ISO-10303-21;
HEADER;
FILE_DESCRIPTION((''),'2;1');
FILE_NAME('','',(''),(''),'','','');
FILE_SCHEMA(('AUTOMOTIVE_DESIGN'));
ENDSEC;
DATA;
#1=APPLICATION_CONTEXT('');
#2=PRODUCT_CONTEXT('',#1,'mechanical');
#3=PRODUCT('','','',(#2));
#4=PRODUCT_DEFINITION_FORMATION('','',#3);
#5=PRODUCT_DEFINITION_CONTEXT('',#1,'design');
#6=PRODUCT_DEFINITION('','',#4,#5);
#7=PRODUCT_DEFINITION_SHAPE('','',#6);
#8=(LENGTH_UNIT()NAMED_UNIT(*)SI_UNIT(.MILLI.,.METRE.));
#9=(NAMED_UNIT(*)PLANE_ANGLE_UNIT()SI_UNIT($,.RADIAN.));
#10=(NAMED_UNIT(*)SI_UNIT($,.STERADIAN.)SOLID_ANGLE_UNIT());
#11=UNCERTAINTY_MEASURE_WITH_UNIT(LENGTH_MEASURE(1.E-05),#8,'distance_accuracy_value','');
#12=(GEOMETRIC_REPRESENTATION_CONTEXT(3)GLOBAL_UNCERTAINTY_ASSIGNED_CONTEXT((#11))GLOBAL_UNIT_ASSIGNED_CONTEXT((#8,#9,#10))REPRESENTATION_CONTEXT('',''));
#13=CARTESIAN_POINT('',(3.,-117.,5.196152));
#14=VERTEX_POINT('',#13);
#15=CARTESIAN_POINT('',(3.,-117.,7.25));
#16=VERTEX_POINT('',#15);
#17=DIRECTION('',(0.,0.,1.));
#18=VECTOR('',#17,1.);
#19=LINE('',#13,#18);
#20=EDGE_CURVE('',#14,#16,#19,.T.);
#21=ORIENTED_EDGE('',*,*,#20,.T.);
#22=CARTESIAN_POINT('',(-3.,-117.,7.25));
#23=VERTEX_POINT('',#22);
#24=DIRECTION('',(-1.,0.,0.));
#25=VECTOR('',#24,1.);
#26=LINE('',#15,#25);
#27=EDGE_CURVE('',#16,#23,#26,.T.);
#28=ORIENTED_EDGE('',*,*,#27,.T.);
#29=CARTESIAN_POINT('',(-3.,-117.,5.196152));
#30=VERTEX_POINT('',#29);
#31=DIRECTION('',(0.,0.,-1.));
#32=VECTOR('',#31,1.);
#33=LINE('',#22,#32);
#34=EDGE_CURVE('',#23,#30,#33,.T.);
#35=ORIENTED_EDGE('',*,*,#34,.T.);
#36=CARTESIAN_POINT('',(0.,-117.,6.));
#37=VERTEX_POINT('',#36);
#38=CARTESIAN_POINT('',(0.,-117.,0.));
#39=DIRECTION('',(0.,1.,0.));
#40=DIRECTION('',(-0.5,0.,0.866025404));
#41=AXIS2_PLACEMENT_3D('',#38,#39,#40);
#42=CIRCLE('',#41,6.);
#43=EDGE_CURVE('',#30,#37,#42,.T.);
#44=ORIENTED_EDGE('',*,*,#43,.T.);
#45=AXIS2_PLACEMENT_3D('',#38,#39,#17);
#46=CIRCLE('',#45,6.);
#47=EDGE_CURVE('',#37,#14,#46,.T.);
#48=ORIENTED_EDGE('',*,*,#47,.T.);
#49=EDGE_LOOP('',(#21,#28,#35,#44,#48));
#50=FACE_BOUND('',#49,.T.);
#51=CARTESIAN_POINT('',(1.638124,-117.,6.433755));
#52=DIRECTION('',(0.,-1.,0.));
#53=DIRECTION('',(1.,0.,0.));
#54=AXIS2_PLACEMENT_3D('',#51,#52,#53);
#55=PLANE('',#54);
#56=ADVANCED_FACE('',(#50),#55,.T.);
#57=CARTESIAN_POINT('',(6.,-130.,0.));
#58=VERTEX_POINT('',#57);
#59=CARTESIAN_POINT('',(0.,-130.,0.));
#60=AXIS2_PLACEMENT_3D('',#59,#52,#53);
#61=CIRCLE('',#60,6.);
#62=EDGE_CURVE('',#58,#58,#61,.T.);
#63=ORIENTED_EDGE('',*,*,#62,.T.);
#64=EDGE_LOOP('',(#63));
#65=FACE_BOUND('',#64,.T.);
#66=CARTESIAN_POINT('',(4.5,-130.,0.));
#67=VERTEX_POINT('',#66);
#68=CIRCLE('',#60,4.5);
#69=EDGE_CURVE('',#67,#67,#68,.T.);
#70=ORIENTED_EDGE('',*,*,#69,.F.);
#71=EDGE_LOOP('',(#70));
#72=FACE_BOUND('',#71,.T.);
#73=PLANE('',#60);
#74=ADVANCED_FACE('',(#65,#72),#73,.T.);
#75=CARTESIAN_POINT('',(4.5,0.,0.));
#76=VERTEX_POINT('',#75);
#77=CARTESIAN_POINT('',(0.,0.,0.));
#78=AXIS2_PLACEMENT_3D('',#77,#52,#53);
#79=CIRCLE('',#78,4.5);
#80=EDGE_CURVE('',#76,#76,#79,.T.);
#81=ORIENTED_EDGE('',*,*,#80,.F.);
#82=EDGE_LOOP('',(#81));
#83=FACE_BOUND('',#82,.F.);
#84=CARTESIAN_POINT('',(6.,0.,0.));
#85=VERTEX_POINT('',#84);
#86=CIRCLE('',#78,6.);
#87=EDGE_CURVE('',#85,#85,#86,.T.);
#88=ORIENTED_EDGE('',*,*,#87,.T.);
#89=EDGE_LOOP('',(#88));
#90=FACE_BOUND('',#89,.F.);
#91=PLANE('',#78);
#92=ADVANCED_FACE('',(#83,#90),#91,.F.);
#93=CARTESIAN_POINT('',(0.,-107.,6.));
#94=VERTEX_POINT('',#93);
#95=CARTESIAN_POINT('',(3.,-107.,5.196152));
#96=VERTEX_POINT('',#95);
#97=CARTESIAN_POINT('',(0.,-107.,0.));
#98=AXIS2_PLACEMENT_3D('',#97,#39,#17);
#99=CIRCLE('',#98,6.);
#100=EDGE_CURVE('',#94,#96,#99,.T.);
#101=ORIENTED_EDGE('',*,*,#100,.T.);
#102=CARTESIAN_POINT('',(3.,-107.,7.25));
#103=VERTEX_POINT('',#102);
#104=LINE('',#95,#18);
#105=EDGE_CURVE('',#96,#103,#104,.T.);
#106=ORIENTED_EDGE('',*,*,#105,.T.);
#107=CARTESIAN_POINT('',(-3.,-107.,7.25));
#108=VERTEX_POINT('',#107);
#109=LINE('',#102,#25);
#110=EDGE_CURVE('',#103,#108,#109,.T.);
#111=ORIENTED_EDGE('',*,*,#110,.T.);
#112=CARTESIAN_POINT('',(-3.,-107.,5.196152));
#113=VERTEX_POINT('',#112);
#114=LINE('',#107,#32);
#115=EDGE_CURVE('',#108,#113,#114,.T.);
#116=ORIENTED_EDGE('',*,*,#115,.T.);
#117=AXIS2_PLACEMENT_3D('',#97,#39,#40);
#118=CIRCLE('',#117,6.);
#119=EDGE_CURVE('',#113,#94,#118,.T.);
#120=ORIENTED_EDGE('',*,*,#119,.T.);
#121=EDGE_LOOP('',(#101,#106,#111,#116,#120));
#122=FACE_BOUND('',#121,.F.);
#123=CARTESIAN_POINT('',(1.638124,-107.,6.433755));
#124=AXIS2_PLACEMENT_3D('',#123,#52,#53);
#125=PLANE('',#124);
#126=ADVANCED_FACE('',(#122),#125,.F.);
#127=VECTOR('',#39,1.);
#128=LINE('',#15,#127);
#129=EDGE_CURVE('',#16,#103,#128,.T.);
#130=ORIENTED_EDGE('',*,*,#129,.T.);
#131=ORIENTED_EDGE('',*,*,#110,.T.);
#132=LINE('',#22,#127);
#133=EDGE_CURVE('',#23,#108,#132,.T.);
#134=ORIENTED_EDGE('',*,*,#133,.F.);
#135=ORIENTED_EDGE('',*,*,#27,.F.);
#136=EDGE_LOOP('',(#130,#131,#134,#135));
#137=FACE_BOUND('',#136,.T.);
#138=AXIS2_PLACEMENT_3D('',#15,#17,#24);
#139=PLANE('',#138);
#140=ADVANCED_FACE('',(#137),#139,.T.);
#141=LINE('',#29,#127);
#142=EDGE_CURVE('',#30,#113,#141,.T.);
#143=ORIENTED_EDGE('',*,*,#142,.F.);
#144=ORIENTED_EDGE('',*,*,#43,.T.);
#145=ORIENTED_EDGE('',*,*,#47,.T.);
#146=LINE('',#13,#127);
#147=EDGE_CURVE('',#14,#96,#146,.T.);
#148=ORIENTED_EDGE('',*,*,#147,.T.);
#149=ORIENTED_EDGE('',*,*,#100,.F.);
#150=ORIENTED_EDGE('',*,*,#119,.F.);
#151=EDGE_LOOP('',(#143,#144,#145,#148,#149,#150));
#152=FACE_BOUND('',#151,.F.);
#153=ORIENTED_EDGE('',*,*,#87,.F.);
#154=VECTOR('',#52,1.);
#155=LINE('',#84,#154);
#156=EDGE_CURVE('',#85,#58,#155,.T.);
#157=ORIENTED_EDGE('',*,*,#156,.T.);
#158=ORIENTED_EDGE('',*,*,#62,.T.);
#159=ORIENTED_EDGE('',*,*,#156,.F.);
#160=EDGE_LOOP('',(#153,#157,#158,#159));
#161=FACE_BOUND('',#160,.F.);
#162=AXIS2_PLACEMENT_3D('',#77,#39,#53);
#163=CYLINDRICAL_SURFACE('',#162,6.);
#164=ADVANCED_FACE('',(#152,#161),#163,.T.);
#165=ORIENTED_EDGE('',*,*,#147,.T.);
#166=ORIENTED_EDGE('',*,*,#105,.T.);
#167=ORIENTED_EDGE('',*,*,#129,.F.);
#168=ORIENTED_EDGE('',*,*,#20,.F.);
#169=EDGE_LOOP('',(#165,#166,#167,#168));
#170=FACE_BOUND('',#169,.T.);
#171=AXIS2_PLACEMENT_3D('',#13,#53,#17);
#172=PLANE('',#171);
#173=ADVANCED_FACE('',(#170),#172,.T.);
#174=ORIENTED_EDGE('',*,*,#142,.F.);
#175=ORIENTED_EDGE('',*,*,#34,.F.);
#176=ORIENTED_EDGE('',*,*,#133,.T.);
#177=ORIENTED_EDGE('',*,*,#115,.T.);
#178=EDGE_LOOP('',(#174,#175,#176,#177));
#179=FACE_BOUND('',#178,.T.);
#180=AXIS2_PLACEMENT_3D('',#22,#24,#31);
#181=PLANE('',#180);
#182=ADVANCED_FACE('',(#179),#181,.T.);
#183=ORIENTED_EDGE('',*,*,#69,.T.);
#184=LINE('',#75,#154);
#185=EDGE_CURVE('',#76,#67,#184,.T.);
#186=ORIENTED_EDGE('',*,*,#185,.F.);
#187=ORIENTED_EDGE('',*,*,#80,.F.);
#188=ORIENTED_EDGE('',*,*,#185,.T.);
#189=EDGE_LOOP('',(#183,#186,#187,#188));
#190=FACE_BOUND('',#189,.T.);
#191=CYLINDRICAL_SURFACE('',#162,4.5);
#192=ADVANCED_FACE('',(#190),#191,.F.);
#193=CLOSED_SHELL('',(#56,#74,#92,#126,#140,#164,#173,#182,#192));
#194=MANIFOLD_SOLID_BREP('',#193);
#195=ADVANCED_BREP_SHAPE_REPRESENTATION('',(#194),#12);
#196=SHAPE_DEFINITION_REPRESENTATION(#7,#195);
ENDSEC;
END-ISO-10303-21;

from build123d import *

# Parameters (mm, degrees)
F0_R     = 6
F0_R_2   = 4.5
F1_DEPTH = 130
F3_START = -13
F3_DEPTH = 10


with BuildPart() as f1:
    # F0 (on Front) → F1 (new body)
    with BuildSketch(Plane.XZ):
        Circle(F0_R)
        Circle(F0_R_2, mode=Mode.SUBTRACT)
    extrude(amount=F1_DEPTH)

    # F2 (on face) → F3 (join)
    with BuildSketch(Plane.XZ.offset(130).offset(F3_START)):
        with BuildLine():
            Line((3, 5.1961524227), (3, 7.25))
            Line((3, 7.25), (0, 7.25))
            Line((0, 7.25), (0, 6))
            ThreePointArc((0, 6), (1.5529142706, 5.7955549577), (3, 5.1961524227))
        make_face()
        with BuildLine():
            Line((0, 6), (0, 7.25))
            Line((0, 7.25), (-3, 7.25))
            Line((-3, 7.25), (-3, 5.1961524227))
            ThreePointArc((-3, 5.1961524227), (-1.5529142706, 5.7955549577), (0, 6))
        make_face()
    extrude(amount=-F3_DEPTH)


solid = f1.part
